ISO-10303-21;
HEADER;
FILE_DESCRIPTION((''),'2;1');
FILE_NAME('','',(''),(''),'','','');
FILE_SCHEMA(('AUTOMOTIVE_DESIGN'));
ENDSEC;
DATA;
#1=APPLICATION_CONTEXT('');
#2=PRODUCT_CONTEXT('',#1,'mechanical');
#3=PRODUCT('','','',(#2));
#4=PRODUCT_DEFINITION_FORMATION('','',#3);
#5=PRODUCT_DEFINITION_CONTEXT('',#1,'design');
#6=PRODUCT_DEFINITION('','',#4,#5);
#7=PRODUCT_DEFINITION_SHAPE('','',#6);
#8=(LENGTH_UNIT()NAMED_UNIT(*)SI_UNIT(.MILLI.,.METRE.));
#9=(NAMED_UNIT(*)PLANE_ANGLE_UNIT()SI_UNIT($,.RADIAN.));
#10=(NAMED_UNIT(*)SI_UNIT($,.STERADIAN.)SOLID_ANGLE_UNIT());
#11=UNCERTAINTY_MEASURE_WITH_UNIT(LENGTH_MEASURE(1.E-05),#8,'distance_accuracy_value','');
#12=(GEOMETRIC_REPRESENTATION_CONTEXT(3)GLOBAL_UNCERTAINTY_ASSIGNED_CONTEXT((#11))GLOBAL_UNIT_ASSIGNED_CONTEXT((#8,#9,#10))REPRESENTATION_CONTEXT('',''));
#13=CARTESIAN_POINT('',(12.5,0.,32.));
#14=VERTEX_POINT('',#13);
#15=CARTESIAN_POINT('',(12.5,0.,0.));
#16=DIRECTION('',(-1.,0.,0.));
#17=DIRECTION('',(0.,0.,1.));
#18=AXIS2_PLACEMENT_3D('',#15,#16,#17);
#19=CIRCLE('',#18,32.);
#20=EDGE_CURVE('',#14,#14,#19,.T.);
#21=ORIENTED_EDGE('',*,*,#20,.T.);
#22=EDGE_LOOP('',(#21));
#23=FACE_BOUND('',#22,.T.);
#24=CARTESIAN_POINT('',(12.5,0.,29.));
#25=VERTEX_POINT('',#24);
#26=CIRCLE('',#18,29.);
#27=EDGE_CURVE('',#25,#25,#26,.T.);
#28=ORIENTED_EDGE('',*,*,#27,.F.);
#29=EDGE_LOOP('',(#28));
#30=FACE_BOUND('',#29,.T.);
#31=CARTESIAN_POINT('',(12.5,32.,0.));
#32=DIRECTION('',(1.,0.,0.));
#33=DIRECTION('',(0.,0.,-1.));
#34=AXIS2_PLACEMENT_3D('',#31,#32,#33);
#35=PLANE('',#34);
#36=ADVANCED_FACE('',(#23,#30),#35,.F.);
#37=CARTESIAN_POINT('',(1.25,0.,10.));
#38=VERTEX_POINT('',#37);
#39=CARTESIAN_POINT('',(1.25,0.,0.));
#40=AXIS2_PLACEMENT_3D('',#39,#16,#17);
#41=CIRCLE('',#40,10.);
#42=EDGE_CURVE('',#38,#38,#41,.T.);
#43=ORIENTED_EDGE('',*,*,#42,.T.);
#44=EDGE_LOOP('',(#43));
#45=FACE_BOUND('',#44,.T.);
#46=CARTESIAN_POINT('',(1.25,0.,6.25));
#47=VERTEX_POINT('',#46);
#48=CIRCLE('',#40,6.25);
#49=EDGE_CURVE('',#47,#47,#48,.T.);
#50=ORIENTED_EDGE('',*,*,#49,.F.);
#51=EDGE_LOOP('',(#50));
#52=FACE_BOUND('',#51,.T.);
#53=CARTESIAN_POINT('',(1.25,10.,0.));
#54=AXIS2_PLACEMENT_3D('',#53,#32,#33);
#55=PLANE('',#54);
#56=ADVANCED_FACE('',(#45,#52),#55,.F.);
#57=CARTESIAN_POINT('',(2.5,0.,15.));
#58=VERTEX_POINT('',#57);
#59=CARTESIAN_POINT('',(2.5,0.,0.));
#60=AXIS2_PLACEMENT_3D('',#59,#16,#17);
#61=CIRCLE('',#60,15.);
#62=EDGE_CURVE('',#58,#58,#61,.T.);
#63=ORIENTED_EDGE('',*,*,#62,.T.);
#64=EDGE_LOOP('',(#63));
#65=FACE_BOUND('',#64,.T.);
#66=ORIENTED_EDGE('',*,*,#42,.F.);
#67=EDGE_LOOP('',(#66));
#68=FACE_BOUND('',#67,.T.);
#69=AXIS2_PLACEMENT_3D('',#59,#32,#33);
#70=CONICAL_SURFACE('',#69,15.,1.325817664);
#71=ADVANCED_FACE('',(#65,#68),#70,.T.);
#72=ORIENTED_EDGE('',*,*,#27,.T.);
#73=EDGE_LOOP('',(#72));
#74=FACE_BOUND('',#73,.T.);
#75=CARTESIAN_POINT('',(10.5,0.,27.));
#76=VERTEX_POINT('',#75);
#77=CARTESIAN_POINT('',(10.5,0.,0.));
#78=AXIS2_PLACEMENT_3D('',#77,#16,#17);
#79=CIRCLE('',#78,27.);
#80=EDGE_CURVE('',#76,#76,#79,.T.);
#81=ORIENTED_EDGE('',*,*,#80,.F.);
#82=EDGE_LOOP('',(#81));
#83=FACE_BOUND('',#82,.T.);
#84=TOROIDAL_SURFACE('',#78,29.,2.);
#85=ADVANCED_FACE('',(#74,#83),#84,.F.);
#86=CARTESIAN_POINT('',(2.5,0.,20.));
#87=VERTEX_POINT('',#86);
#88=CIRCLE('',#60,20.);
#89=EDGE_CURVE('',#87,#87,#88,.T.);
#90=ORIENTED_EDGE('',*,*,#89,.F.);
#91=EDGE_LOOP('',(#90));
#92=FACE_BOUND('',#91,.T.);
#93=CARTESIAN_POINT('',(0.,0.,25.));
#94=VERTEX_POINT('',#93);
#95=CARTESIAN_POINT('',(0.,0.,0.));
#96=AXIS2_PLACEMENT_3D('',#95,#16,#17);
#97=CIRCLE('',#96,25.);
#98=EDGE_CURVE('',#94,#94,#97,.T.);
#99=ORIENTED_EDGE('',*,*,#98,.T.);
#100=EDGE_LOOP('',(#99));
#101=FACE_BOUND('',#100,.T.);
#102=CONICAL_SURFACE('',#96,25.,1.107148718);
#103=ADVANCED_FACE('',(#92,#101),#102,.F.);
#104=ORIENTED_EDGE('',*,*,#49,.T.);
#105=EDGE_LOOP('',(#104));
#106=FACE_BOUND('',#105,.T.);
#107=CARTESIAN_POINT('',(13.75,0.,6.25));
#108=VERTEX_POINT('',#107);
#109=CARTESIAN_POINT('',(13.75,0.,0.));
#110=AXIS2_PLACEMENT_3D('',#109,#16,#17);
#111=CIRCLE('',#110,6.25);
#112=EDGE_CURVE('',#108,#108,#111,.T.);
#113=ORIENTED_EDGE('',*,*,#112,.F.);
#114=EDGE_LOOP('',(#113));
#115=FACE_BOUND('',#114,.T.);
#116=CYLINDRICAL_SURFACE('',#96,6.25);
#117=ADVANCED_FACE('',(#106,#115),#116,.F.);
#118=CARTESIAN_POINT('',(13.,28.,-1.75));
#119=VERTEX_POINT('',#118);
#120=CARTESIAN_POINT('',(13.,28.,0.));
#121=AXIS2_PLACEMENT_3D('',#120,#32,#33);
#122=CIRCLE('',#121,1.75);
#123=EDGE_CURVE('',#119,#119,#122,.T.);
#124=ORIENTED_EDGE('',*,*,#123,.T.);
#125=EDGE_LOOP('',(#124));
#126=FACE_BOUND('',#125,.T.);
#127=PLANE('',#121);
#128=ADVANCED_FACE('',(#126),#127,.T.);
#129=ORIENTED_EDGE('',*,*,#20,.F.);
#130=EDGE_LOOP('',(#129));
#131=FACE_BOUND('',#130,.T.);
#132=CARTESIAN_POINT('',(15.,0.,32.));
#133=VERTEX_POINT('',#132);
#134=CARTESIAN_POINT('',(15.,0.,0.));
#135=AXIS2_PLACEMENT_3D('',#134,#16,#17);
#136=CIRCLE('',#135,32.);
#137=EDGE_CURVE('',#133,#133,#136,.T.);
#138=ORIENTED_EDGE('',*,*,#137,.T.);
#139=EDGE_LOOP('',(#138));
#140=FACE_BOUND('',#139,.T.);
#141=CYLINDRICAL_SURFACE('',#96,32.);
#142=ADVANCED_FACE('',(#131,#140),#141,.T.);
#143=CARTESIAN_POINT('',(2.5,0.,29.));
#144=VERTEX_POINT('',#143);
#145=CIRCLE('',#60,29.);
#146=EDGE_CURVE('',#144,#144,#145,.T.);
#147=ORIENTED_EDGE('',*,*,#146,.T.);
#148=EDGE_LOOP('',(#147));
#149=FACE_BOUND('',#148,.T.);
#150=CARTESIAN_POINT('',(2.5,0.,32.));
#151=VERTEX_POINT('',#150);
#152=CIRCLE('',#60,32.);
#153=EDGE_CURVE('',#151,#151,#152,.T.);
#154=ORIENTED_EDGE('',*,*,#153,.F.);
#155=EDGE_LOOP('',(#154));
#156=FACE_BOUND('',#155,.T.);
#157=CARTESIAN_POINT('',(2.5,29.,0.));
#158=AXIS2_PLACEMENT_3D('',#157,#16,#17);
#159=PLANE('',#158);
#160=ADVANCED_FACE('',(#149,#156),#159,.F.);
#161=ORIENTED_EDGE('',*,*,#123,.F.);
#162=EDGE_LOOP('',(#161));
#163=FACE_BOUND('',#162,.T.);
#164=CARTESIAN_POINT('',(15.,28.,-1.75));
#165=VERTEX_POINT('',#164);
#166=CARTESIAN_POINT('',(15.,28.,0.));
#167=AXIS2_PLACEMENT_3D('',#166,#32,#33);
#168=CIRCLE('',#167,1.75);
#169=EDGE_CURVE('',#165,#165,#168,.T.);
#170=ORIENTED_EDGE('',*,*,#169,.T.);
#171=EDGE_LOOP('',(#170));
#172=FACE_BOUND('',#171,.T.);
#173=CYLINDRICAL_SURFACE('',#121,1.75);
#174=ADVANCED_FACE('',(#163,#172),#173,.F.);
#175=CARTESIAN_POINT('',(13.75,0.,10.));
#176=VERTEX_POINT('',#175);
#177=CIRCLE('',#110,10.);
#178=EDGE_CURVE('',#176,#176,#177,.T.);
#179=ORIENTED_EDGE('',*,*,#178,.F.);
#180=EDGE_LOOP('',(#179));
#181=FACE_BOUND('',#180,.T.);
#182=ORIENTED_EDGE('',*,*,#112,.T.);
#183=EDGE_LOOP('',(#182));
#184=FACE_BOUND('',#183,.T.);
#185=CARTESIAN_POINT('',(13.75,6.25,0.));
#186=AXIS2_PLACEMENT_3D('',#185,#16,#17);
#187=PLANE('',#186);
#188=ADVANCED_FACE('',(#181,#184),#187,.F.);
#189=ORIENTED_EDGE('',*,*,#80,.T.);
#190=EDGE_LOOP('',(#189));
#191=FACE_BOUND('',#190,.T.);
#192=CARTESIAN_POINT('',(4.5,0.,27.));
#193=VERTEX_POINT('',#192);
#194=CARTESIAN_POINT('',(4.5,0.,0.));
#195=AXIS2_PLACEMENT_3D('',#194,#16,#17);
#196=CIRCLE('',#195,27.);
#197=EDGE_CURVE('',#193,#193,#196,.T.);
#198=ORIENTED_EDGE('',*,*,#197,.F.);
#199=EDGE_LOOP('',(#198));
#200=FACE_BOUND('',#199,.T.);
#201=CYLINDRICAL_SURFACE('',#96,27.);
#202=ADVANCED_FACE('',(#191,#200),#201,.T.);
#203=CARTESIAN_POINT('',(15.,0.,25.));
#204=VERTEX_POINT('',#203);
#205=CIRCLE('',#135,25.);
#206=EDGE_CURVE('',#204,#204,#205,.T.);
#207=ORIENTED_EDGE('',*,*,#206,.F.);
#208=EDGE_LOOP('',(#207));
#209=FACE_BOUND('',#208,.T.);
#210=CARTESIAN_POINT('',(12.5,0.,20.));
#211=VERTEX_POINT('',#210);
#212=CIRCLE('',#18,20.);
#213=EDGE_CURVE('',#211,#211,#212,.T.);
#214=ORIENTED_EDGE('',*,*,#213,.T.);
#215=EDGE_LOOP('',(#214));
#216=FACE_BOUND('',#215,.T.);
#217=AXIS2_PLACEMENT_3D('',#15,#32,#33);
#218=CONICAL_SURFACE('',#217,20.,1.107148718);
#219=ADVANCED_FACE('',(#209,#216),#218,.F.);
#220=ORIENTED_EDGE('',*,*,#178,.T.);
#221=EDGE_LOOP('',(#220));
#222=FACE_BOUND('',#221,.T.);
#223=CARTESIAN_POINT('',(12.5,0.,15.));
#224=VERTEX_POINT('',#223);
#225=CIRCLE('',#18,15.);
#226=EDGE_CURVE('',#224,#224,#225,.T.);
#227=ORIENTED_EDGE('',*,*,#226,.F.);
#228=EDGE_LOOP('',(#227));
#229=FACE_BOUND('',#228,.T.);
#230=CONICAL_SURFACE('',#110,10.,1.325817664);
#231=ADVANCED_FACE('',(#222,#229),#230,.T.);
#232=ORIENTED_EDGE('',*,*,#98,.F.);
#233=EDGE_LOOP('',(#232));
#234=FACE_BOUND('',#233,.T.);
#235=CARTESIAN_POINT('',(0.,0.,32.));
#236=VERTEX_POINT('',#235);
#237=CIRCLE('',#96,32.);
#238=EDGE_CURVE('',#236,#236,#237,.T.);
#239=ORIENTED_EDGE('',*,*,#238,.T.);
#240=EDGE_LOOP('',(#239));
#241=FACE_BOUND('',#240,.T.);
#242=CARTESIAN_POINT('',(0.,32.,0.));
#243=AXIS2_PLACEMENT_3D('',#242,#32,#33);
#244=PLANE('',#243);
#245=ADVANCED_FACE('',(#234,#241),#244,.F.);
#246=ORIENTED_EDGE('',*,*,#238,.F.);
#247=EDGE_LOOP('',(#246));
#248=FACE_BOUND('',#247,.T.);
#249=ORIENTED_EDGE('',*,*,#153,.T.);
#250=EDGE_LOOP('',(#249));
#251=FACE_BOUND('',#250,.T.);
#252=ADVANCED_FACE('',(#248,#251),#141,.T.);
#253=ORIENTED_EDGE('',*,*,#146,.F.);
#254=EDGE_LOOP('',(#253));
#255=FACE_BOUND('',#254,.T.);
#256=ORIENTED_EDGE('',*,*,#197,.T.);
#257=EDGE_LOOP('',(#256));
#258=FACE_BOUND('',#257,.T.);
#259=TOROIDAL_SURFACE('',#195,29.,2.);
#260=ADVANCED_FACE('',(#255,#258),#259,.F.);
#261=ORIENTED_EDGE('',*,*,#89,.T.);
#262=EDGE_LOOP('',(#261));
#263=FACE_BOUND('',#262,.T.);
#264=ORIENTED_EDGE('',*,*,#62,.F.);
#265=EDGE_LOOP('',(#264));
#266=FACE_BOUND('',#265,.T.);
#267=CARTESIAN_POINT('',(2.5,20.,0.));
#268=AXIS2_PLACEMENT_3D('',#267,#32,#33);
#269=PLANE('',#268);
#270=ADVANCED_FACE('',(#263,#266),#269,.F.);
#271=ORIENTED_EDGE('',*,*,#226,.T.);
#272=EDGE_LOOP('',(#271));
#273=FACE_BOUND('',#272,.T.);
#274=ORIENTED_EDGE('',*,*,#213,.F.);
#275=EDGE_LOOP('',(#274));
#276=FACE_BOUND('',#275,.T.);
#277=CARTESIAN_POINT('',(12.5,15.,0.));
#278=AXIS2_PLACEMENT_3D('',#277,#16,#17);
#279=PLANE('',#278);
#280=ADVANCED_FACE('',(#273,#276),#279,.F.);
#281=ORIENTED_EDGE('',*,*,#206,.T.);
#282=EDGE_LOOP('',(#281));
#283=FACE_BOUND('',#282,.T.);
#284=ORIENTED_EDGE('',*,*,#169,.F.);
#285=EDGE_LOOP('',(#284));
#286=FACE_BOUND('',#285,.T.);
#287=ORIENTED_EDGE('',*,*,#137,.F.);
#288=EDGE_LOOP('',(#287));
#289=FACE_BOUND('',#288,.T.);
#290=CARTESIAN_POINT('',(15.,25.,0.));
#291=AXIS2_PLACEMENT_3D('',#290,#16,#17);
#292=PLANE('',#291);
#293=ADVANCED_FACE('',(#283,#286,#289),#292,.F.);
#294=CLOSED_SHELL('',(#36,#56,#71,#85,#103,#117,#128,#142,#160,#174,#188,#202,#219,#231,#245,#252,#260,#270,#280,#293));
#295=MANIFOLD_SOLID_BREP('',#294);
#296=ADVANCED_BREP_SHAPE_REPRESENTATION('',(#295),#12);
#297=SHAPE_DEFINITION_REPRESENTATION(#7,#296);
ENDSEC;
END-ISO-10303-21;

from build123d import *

# Parameters (mm, degrees)
ESBO_O4_R             = 1.75
CORTE_EXTRUS_O1_DEPTH = 2


with BuildPart() as part:
    # Esboço2 → Revolução1 (revolve)
    with BuildSketch(Plane.XY):
        with BuildLine():
            Line((1.25, 6.25), (13.75, 6.25))
            Line((13.75, 6.25), (13.75, 10))
            Line((13.75, 10), (12.5, 15))
            Line((12.5, 15), (12.5, 20))
            Line((12.5, 20), (15, 25))
            Line((15, 25), (15, 32))
            Line((15, 32), (12.5, 32))
            Line((12.5, 32), (12.5, 29))
            ThreePointArc((12.5, 29), (11.914213562, 27.585786438), (10.5, 27))
            Line((10.5, 27), (4.5, 27))
            ThreePointArc((4.5, 27), (3.085786438, 27.585786438), (2.5, 29))
            Line((2.5, 29), (2.5, 32))
            Line((2.5, 32), (0, 32))
            Line((0, 32), (0, 25))
            Line((0, 25), (2.5, 20))
            Line((2.5, 20), (2.5, 15))
            Line((2.5, 15), (1.25, 10))
            Line((1.25, 10), (1.25, 6.25))
        make_face()
    revolve(axis=Axis((0, 0, 0), (1, 0, 0)))

    # Esboço4 → Corte-extrusão1 (cut)
    with BuildSketch(Plane(origin=(15, 0, 0), x_dir=(0, 0, -1), z_dir=(1, 0, 0))):
        with Locations((0, 28)):
            Circle(ESBO_O4_R)
    extrude(amount=-CORTE_EXTRUS_O1_DEPTH, mode=Mode.SUBTRACT)


solid = part.part
